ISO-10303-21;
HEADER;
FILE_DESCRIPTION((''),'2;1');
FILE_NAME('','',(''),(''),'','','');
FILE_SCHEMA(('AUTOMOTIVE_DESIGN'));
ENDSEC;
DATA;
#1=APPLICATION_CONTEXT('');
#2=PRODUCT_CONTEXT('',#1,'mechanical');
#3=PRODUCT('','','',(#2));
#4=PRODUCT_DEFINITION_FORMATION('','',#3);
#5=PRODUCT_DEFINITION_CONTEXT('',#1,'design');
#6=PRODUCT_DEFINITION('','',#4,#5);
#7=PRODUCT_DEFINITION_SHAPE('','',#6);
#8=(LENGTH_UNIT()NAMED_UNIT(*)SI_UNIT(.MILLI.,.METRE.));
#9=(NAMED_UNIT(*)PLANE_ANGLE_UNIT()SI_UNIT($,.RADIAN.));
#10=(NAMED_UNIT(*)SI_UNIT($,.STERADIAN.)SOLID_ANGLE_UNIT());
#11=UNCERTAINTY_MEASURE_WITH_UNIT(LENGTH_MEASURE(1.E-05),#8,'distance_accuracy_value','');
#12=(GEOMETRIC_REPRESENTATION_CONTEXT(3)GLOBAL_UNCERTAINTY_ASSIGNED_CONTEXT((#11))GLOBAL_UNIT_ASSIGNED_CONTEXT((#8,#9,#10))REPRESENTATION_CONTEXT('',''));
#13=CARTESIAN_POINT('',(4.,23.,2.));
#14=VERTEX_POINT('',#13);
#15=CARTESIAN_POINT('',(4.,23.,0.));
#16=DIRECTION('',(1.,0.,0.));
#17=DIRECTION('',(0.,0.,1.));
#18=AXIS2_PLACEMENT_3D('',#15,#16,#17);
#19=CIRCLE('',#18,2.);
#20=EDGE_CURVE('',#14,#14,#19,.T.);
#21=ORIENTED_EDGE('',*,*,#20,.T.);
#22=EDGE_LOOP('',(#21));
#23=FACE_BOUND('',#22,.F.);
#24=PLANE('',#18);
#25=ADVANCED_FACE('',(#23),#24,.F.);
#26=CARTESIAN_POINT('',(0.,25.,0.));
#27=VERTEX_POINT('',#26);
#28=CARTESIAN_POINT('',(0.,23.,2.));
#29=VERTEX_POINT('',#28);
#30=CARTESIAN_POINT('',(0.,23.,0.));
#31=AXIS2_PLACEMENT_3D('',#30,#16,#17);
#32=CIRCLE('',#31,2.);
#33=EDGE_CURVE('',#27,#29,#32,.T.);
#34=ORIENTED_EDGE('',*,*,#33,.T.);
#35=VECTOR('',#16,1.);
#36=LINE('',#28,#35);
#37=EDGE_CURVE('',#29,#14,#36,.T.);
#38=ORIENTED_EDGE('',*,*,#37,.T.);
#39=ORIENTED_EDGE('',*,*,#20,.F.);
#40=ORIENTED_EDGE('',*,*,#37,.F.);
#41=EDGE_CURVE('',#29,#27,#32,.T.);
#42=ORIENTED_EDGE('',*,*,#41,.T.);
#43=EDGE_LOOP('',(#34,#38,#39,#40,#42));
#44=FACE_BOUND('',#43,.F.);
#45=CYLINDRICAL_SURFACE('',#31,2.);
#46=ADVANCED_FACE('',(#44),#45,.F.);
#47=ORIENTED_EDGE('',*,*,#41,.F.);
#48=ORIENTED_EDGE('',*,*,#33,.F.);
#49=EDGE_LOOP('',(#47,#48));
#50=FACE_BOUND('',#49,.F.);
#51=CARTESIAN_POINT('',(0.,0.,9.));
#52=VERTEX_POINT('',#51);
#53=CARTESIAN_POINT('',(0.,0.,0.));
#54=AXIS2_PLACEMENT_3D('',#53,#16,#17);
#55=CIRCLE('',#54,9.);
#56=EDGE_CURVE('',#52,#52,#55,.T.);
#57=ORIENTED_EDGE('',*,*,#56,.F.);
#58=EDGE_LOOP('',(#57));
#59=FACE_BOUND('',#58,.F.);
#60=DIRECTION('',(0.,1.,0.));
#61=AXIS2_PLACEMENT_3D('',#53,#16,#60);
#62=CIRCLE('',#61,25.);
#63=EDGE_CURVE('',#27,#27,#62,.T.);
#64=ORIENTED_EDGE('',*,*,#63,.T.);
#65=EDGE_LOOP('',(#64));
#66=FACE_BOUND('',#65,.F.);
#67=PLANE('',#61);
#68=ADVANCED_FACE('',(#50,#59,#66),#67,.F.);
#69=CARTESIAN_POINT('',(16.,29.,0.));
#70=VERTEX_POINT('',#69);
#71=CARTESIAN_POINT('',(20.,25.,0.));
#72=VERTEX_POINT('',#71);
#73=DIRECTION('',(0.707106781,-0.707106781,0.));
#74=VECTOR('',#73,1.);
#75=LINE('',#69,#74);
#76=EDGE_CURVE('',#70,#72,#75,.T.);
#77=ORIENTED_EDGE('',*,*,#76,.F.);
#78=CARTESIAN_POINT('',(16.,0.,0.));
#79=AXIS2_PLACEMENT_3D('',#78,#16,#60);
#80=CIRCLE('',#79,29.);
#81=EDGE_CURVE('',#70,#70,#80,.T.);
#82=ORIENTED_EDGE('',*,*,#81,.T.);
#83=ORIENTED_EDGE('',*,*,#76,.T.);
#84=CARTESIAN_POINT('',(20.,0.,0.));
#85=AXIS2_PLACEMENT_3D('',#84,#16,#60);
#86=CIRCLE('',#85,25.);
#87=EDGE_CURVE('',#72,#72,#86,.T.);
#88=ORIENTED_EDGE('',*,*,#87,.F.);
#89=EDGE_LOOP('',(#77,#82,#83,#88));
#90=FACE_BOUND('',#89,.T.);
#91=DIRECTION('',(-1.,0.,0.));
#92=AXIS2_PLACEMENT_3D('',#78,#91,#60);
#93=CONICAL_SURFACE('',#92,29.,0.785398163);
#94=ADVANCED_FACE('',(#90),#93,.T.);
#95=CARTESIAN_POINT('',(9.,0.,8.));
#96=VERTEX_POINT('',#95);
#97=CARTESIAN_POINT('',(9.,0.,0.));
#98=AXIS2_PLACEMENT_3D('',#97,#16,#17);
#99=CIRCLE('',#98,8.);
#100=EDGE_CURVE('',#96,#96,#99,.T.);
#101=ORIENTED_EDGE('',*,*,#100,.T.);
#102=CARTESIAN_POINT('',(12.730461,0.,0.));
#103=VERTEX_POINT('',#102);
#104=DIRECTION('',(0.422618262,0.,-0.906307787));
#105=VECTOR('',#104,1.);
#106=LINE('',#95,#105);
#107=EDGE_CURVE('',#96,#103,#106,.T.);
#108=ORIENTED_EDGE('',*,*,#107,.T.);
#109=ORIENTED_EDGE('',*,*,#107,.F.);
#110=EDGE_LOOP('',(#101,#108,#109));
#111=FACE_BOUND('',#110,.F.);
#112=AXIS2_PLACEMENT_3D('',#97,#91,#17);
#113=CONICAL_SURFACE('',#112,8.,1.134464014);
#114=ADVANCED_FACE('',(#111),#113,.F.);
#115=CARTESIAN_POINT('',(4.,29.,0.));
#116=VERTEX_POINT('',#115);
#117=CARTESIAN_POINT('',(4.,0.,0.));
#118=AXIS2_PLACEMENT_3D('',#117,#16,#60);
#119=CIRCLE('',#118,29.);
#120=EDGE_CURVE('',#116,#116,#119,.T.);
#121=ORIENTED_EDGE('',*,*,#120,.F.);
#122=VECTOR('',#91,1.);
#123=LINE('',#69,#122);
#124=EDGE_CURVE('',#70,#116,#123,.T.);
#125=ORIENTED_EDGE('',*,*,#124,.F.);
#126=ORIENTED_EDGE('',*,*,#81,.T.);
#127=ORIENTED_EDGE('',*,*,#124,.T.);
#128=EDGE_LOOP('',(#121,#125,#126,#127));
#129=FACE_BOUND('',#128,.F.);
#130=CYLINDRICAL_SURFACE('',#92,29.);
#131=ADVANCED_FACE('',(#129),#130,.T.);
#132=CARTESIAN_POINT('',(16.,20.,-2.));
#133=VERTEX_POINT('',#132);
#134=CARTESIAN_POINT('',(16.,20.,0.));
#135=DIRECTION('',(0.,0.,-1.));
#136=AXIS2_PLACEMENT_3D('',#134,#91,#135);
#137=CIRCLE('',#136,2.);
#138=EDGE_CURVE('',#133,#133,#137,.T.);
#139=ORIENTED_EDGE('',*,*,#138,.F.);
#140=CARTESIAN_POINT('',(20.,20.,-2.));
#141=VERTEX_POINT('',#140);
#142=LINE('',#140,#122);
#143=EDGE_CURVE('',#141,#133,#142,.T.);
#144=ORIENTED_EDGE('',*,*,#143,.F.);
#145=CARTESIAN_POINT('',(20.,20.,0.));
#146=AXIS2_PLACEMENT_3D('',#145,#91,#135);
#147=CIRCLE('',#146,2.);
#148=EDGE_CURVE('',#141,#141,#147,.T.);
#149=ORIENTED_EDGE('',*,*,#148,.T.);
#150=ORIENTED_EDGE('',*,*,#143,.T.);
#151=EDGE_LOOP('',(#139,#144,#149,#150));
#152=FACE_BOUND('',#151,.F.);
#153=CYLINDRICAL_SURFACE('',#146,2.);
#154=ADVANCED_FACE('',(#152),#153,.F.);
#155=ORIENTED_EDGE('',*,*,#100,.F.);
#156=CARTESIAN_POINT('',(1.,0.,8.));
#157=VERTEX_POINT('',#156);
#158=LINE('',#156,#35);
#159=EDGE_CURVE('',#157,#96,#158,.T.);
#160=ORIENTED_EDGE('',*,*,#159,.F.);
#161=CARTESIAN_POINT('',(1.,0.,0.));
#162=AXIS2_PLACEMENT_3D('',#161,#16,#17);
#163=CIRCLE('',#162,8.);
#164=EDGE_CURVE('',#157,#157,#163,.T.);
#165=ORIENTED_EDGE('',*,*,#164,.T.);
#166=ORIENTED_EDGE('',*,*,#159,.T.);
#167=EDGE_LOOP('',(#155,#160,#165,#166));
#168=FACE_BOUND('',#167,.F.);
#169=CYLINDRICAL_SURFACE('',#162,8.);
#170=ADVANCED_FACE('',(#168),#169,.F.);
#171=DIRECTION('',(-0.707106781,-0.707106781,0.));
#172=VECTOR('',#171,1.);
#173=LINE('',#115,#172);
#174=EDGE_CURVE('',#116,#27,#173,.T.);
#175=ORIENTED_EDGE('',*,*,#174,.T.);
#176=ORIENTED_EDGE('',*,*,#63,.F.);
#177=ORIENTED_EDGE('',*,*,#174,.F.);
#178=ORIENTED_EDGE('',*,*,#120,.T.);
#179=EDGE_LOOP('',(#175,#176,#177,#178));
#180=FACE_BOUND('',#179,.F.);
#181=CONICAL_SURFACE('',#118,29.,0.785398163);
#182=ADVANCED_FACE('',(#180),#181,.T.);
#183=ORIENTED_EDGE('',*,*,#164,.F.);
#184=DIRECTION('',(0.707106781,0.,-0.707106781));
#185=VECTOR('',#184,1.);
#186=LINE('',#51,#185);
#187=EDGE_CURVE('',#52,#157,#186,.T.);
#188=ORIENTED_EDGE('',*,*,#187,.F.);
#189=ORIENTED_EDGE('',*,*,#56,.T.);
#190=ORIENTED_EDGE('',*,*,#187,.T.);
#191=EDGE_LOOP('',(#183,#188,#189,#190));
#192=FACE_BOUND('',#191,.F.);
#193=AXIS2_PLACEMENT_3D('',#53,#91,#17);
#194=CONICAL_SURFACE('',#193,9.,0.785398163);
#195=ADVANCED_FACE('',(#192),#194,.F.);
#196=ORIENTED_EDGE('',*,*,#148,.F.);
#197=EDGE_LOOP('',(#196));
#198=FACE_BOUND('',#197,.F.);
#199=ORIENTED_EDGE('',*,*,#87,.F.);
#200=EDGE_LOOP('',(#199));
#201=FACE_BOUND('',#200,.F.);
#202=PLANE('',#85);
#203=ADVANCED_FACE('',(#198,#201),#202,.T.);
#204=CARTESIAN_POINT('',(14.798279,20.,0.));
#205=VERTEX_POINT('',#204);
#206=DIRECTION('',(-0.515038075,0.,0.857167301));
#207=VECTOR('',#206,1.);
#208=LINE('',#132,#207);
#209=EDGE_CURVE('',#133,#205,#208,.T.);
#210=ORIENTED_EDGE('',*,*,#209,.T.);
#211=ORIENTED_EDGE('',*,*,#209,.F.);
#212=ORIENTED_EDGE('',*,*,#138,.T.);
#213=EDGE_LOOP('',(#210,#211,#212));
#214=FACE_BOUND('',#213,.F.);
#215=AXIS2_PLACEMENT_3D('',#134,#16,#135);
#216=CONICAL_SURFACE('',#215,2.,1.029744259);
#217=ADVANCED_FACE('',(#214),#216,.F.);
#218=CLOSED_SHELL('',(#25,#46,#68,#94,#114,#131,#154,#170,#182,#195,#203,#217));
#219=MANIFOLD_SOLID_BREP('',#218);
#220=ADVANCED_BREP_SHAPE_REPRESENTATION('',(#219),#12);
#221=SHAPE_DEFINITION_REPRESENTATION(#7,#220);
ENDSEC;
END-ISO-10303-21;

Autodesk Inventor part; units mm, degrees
ref_plane "YZ Plane" through (0, 0, 0) normal (1, 0, 0) x (0, 1, 0)
ref_plane "XZ Plane" through (0, 0, 0) normal (0, 1, 0) x (-1, 0, 0)
ref_plane "XY Plane" through (0, 0, 0) normal (0, 0, 1) x (1, 0, 0)
sketch "Эскиз5" plane through (0, 0, 0) normal (0, 0, 1) x (1, 0, 0)
  line L0 (0, 0) -> (20, 0)
  line L1 (20, 0) -> (20, 25)
  line L2 (16, 29) -> (4, 29)
  line L3 (0, 25) -> (0, 0)
  line L4 (4, 29) -> (0, 25)
  line L5 (16, 29) -> (20, 25)
  point P0 (20, 29)
  point P1 (0, 29)
  dimension "d43" = 20
  dimension "d44" = 29
  dimension "d45" = 4
  dimension "d46" = 4
  dimension "d47" = 4
  dimension "d48" = 4
revolve "Вращение3" add sketch "Эскиз5" angle 360 about axis through (0, 0, 0) along (1, 0, 0)
sketch "Эскиз6" plane through (0, 0, 0) normal (-1, 0, 0) x (0, 0, 1)
  point P0 (0, 0)
  point P1 (0, 0)
hole "Отверстие3" at (0, 0, 0) direction (1, 0, 0) diameter 16 depth 9 tip angle 130 countersink diameter 18 countersink angle 90
sketch "Эскиз7" plane through (0, 0, 0) normal (-1, 0, 0) x (0, 0, 1)
  line L0 (0, 0) -> (0, 23) construction
  dimension "d57" = 23
hole "Отверстие4" at (0, 23, 0) direction (1, 0, 0) diameter 4 depth 4
sketch "Эскиз8" plane through (20, 0, 0) normal (1, 0, 0) x (0, 0, -1)
  line L0 (0, 0) -> (0, 20) construction
  dimension "d65" = 20
hole "Отверстие5" at (20, 20, 0) direction (-1, 0, 0) diameter 4 depth 4 tip angle 118
thread "Резьба3" size "M16x2" class "6H" standard "ANSI Metric M Profile" full length
equation "\"d46\" = d45"
equation "\"d47\" = d45"
equation "\"d48\" = d47"
properties part number "711136"
